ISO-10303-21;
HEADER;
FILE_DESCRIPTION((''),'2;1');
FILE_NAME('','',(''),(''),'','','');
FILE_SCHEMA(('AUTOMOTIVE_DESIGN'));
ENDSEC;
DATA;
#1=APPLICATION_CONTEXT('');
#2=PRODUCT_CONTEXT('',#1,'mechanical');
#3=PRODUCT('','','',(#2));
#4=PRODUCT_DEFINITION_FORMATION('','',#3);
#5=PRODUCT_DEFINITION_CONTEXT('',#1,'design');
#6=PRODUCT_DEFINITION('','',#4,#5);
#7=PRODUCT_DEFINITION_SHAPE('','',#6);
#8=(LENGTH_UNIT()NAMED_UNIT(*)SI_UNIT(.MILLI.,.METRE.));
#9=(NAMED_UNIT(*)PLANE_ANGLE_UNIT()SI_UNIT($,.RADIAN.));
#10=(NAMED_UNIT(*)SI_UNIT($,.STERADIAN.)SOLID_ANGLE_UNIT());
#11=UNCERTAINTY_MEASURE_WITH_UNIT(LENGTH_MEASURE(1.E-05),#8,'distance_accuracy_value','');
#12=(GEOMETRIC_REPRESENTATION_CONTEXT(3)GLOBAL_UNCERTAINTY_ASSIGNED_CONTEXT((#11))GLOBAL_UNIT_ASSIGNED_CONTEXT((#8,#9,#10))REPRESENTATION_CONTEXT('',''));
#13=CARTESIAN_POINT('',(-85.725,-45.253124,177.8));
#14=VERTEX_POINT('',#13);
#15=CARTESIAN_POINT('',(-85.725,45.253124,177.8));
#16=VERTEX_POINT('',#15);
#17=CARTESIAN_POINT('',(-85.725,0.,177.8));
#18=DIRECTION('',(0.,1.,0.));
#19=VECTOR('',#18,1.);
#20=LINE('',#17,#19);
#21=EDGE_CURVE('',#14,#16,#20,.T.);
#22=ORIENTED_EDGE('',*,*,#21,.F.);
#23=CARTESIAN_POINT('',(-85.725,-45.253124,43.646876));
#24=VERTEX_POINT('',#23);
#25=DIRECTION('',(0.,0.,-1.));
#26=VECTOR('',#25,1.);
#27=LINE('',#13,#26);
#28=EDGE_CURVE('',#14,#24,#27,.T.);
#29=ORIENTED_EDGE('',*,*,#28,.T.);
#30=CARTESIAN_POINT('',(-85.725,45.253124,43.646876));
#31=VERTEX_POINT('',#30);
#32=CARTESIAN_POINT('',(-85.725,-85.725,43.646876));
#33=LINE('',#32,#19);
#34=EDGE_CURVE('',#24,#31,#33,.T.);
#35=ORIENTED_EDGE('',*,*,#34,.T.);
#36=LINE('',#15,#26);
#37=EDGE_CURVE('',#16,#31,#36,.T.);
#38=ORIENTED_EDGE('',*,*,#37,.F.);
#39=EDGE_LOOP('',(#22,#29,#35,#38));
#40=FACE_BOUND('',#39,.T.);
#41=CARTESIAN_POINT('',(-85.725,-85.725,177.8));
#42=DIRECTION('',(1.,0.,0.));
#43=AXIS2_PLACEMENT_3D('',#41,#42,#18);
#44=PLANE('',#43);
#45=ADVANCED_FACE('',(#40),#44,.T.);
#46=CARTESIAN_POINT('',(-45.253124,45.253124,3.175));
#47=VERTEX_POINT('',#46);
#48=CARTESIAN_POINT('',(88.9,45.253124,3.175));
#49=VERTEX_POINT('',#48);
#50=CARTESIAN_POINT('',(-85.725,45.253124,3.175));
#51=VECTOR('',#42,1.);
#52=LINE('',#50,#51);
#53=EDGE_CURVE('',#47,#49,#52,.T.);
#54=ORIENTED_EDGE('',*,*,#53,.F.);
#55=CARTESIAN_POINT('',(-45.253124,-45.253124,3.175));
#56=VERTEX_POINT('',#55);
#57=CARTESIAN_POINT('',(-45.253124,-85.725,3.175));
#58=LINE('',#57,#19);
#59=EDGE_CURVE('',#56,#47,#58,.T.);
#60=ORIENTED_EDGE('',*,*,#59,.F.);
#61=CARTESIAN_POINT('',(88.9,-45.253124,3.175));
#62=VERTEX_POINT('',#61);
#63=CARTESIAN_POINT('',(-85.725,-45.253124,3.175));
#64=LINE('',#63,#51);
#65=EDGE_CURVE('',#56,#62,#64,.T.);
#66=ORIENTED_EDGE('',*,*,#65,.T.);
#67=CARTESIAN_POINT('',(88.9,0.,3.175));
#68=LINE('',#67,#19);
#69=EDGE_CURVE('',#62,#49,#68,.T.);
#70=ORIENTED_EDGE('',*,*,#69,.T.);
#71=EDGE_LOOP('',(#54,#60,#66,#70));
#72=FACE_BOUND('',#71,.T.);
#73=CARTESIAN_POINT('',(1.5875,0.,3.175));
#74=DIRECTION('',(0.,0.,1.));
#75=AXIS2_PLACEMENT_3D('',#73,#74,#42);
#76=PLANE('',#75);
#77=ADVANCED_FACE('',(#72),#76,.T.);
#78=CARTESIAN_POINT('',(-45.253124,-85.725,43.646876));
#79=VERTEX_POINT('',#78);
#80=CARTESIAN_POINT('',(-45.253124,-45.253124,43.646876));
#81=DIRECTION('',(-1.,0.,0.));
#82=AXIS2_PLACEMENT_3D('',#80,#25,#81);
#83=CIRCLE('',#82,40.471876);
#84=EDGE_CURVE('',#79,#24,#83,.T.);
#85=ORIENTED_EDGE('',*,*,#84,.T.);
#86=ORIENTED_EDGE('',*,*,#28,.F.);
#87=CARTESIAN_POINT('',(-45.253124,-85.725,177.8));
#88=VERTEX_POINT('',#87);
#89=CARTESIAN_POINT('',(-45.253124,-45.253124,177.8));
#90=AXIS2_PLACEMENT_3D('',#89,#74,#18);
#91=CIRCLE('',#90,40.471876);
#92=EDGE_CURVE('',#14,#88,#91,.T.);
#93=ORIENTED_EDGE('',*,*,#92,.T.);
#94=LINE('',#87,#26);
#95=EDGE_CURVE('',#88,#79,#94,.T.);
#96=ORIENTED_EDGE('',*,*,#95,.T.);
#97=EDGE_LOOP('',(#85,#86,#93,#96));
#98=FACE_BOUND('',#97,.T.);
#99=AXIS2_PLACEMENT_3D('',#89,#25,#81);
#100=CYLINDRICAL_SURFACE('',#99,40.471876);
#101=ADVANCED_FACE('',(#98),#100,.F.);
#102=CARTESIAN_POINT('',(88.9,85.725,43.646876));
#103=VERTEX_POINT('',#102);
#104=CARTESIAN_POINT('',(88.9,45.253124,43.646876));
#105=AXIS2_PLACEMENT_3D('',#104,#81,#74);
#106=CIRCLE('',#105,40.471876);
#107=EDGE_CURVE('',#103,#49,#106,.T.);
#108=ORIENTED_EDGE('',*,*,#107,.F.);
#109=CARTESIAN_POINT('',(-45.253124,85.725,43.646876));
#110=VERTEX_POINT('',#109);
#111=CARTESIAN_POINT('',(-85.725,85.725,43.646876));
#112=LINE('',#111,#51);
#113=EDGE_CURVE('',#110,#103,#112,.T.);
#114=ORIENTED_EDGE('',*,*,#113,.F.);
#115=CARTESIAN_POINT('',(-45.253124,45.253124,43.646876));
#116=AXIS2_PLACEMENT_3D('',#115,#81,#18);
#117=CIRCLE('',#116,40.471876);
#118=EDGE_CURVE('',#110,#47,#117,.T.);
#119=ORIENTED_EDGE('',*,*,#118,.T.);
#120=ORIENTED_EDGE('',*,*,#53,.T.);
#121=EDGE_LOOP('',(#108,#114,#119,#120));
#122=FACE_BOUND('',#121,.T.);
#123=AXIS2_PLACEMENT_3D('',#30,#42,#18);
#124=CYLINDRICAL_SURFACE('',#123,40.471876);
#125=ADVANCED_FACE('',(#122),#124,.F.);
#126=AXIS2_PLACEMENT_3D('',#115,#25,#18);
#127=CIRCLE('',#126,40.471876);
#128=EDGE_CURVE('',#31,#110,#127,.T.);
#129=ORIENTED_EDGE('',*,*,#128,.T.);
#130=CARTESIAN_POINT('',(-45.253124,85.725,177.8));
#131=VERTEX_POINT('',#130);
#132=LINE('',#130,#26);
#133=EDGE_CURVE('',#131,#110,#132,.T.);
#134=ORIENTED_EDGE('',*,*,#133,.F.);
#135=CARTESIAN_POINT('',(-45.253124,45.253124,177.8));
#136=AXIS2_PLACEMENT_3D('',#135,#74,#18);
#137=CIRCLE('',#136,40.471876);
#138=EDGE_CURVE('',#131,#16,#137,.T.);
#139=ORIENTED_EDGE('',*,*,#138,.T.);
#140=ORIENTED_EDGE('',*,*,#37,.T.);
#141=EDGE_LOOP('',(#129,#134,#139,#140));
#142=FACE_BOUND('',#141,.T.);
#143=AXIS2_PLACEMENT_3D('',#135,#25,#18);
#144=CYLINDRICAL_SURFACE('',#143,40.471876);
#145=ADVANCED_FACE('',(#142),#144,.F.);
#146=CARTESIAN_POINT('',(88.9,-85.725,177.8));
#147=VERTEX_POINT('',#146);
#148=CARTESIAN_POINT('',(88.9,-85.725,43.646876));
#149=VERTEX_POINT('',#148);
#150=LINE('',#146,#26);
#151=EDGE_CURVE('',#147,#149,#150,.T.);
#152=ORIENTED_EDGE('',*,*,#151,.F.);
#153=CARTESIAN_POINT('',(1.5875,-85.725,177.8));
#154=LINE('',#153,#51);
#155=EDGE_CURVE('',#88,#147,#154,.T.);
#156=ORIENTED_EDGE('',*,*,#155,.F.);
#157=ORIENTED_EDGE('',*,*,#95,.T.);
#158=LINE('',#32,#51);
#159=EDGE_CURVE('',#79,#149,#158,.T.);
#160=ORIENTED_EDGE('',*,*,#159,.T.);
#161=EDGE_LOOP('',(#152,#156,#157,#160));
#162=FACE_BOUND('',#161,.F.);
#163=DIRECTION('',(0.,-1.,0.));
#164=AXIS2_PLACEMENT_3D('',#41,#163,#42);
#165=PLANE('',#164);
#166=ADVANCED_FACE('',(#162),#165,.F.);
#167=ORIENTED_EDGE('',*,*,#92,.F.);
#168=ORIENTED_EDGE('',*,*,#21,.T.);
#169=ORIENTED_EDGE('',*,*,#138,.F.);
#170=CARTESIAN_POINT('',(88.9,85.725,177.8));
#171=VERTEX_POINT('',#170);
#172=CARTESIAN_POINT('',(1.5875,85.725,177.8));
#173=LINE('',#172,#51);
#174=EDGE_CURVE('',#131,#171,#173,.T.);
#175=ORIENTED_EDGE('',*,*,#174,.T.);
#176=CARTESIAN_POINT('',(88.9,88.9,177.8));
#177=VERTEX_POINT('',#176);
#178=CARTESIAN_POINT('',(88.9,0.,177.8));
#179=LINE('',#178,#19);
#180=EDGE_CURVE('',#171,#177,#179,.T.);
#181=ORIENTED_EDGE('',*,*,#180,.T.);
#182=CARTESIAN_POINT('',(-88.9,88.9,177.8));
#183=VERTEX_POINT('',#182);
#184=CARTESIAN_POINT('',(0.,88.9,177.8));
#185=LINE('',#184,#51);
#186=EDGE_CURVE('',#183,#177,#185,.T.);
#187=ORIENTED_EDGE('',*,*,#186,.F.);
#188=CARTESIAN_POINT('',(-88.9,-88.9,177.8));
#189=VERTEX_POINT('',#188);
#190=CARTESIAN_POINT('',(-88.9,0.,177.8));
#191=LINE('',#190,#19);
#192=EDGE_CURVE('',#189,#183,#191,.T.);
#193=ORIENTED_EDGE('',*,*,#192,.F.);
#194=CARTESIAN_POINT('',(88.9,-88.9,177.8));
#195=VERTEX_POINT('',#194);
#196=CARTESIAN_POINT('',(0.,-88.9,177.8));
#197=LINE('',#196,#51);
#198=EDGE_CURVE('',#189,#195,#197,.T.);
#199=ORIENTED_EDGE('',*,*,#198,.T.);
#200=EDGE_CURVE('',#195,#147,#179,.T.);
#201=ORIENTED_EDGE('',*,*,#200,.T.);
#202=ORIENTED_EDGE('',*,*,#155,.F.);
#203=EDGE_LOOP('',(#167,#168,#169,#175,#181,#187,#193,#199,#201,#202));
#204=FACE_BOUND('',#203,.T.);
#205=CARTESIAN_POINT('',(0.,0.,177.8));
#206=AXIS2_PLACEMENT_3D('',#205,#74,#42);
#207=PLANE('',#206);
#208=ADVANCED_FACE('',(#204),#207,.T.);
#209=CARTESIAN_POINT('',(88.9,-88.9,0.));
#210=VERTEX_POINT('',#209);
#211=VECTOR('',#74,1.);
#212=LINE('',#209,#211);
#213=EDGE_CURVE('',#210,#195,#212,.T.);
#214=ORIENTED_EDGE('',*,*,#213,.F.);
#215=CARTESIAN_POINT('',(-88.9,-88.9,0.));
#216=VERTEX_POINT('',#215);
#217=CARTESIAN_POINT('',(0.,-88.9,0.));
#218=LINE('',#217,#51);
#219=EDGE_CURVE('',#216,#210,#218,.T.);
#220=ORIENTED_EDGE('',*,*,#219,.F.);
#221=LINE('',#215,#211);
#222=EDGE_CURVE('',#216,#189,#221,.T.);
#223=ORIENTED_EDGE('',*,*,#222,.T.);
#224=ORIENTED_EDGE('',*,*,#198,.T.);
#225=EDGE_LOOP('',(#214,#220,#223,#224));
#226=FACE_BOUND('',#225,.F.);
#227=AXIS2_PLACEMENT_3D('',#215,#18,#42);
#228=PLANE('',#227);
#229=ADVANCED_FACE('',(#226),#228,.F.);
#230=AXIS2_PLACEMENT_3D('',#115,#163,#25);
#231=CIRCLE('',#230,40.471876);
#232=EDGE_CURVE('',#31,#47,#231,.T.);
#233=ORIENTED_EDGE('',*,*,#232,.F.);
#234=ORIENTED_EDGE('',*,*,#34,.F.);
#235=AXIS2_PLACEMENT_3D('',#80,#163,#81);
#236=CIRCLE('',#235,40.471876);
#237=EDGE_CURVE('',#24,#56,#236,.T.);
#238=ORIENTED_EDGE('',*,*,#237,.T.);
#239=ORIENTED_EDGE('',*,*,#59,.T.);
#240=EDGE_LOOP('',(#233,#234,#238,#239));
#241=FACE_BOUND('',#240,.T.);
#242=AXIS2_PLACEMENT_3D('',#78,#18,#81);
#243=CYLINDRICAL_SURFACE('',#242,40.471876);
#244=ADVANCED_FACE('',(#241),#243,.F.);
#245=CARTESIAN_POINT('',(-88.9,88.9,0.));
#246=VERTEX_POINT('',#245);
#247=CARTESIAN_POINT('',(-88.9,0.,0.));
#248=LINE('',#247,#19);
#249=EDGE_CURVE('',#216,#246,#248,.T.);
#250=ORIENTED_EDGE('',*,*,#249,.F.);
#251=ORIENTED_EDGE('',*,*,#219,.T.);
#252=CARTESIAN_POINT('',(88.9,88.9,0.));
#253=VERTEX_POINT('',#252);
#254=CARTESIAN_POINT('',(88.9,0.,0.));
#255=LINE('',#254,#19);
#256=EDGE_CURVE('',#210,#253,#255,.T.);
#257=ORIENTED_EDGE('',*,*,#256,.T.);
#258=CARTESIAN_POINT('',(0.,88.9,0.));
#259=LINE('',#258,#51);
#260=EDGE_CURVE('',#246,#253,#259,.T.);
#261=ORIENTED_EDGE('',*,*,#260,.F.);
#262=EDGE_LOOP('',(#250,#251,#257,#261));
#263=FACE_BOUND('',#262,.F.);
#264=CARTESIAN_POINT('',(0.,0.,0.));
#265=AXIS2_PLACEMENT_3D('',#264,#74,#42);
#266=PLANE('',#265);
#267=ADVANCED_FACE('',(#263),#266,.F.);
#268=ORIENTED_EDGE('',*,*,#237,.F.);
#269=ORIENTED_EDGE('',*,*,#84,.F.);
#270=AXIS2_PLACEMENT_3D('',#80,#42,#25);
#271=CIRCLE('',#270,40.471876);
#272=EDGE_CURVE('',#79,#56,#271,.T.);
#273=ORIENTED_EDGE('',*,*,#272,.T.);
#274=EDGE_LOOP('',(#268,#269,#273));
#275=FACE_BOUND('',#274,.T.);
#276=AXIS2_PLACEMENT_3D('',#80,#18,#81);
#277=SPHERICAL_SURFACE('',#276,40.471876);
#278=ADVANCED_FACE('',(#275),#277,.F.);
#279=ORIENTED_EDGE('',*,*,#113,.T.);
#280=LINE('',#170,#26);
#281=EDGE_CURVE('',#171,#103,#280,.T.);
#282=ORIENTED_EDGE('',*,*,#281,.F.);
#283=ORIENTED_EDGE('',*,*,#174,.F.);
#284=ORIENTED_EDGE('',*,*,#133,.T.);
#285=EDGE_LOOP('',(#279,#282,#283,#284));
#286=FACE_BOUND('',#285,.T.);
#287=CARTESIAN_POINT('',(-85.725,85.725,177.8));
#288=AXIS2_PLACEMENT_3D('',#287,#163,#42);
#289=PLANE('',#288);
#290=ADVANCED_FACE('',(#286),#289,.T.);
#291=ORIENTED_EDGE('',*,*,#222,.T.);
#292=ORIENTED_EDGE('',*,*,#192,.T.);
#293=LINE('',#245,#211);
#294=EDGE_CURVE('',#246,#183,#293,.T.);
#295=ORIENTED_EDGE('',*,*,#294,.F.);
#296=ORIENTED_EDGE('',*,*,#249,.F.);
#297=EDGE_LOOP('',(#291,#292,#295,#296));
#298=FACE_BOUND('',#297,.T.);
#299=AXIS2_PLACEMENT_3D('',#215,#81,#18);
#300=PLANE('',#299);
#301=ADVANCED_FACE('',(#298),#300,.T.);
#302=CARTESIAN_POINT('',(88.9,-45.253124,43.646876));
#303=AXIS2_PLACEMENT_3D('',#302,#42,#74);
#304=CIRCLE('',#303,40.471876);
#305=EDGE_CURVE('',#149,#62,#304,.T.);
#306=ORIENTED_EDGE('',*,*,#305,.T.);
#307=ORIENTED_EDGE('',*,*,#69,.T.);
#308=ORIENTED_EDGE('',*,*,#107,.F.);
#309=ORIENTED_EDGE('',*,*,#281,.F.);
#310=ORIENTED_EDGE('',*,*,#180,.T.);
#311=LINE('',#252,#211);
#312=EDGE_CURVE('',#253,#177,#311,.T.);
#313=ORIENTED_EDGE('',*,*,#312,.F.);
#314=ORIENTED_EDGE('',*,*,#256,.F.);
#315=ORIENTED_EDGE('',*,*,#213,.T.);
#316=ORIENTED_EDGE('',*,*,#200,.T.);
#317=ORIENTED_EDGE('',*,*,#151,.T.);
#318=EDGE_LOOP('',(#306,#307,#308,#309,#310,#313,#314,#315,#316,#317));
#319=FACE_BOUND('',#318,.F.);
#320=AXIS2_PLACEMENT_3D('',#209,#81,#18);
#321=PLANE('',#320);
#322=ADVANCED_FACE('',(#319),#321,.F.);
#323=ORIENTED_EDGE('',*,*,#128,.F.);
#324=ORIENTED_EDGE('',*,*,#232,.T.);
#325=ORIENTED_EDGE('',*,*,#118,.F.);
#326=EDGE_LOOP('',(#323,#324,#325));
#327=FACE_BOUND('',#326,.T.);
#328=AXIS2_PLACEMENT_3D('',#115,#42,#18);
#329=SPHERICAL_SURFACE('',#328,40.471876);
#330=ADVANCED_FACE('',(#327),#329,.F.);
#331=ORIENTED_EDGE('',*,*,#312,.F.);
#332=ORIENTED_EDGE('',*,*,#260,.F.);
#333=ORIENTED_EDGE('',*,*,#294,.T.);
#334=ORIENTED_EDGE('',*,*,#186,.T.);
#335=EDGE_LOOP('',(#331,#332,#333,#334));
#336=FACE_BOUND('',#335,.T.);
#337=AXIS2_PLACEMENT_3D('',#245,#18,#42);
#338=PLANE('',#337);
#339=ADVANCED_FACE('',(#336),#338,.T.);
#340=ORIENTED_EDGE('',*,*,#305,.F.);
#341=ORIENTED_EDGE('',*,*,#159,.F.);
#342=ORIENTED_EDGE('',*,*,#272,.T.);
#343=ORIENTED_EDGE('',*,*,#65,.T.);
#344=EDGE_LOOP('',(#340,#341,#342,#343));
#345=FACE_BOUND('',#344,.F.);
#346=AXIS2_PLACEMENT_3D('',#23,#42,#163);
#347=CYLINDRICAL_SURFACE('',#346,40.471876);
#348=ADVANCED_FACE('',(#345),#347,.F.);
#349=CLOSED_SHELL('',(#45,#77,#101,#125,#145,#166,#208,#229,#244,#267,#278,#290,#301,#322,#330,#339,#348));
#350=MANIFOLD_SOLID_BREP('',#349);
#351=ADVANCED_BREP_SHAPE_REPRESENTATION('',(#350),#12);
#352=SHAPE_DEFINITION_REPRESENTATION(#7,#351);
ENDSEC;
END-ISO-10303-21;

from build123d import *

# Parameters (mm, degrees)
F0_W     = 177.8
F0_H     = 177.8
F1_DEPTH = 177.8
F2_W     = 174.625
F2_H     = 171.45
F3_DEPTH = 174.625
F4_R     = 40.471876


with BuildPart() as f1:
    # F0 (on Top) → F1 (new body)
    with BuildSketch(Plane.XY):
        Rectangle(F0_W, F0_H)
    extrude(amount=F1_DEPTH)

    # F2 (on face) → F3 (cut)
    with BuildSketch(Plane.XY.offset(177.8)):
        with Locations((1.5875, 0)):
            Rectangle(F2_W, F2_H)
    extrude(amount=-F3_DEPTH, mode=Mode.SUBTRACT)

    # F4
    f4_edges = [f1.edges().sort_by_distance(p)[0] for p in [
        (1.5875, 85.725, 3.175),
        (-85.725, 85.725, 90.4875),
        (-85.725, 0, 3.175),
        (-85.725, -85.725, 90.4875),
        (1.5875, -85.725, 3.175),
    ]]
    fillet(f4_edges, radius=F4_R)


solid = f1.part
